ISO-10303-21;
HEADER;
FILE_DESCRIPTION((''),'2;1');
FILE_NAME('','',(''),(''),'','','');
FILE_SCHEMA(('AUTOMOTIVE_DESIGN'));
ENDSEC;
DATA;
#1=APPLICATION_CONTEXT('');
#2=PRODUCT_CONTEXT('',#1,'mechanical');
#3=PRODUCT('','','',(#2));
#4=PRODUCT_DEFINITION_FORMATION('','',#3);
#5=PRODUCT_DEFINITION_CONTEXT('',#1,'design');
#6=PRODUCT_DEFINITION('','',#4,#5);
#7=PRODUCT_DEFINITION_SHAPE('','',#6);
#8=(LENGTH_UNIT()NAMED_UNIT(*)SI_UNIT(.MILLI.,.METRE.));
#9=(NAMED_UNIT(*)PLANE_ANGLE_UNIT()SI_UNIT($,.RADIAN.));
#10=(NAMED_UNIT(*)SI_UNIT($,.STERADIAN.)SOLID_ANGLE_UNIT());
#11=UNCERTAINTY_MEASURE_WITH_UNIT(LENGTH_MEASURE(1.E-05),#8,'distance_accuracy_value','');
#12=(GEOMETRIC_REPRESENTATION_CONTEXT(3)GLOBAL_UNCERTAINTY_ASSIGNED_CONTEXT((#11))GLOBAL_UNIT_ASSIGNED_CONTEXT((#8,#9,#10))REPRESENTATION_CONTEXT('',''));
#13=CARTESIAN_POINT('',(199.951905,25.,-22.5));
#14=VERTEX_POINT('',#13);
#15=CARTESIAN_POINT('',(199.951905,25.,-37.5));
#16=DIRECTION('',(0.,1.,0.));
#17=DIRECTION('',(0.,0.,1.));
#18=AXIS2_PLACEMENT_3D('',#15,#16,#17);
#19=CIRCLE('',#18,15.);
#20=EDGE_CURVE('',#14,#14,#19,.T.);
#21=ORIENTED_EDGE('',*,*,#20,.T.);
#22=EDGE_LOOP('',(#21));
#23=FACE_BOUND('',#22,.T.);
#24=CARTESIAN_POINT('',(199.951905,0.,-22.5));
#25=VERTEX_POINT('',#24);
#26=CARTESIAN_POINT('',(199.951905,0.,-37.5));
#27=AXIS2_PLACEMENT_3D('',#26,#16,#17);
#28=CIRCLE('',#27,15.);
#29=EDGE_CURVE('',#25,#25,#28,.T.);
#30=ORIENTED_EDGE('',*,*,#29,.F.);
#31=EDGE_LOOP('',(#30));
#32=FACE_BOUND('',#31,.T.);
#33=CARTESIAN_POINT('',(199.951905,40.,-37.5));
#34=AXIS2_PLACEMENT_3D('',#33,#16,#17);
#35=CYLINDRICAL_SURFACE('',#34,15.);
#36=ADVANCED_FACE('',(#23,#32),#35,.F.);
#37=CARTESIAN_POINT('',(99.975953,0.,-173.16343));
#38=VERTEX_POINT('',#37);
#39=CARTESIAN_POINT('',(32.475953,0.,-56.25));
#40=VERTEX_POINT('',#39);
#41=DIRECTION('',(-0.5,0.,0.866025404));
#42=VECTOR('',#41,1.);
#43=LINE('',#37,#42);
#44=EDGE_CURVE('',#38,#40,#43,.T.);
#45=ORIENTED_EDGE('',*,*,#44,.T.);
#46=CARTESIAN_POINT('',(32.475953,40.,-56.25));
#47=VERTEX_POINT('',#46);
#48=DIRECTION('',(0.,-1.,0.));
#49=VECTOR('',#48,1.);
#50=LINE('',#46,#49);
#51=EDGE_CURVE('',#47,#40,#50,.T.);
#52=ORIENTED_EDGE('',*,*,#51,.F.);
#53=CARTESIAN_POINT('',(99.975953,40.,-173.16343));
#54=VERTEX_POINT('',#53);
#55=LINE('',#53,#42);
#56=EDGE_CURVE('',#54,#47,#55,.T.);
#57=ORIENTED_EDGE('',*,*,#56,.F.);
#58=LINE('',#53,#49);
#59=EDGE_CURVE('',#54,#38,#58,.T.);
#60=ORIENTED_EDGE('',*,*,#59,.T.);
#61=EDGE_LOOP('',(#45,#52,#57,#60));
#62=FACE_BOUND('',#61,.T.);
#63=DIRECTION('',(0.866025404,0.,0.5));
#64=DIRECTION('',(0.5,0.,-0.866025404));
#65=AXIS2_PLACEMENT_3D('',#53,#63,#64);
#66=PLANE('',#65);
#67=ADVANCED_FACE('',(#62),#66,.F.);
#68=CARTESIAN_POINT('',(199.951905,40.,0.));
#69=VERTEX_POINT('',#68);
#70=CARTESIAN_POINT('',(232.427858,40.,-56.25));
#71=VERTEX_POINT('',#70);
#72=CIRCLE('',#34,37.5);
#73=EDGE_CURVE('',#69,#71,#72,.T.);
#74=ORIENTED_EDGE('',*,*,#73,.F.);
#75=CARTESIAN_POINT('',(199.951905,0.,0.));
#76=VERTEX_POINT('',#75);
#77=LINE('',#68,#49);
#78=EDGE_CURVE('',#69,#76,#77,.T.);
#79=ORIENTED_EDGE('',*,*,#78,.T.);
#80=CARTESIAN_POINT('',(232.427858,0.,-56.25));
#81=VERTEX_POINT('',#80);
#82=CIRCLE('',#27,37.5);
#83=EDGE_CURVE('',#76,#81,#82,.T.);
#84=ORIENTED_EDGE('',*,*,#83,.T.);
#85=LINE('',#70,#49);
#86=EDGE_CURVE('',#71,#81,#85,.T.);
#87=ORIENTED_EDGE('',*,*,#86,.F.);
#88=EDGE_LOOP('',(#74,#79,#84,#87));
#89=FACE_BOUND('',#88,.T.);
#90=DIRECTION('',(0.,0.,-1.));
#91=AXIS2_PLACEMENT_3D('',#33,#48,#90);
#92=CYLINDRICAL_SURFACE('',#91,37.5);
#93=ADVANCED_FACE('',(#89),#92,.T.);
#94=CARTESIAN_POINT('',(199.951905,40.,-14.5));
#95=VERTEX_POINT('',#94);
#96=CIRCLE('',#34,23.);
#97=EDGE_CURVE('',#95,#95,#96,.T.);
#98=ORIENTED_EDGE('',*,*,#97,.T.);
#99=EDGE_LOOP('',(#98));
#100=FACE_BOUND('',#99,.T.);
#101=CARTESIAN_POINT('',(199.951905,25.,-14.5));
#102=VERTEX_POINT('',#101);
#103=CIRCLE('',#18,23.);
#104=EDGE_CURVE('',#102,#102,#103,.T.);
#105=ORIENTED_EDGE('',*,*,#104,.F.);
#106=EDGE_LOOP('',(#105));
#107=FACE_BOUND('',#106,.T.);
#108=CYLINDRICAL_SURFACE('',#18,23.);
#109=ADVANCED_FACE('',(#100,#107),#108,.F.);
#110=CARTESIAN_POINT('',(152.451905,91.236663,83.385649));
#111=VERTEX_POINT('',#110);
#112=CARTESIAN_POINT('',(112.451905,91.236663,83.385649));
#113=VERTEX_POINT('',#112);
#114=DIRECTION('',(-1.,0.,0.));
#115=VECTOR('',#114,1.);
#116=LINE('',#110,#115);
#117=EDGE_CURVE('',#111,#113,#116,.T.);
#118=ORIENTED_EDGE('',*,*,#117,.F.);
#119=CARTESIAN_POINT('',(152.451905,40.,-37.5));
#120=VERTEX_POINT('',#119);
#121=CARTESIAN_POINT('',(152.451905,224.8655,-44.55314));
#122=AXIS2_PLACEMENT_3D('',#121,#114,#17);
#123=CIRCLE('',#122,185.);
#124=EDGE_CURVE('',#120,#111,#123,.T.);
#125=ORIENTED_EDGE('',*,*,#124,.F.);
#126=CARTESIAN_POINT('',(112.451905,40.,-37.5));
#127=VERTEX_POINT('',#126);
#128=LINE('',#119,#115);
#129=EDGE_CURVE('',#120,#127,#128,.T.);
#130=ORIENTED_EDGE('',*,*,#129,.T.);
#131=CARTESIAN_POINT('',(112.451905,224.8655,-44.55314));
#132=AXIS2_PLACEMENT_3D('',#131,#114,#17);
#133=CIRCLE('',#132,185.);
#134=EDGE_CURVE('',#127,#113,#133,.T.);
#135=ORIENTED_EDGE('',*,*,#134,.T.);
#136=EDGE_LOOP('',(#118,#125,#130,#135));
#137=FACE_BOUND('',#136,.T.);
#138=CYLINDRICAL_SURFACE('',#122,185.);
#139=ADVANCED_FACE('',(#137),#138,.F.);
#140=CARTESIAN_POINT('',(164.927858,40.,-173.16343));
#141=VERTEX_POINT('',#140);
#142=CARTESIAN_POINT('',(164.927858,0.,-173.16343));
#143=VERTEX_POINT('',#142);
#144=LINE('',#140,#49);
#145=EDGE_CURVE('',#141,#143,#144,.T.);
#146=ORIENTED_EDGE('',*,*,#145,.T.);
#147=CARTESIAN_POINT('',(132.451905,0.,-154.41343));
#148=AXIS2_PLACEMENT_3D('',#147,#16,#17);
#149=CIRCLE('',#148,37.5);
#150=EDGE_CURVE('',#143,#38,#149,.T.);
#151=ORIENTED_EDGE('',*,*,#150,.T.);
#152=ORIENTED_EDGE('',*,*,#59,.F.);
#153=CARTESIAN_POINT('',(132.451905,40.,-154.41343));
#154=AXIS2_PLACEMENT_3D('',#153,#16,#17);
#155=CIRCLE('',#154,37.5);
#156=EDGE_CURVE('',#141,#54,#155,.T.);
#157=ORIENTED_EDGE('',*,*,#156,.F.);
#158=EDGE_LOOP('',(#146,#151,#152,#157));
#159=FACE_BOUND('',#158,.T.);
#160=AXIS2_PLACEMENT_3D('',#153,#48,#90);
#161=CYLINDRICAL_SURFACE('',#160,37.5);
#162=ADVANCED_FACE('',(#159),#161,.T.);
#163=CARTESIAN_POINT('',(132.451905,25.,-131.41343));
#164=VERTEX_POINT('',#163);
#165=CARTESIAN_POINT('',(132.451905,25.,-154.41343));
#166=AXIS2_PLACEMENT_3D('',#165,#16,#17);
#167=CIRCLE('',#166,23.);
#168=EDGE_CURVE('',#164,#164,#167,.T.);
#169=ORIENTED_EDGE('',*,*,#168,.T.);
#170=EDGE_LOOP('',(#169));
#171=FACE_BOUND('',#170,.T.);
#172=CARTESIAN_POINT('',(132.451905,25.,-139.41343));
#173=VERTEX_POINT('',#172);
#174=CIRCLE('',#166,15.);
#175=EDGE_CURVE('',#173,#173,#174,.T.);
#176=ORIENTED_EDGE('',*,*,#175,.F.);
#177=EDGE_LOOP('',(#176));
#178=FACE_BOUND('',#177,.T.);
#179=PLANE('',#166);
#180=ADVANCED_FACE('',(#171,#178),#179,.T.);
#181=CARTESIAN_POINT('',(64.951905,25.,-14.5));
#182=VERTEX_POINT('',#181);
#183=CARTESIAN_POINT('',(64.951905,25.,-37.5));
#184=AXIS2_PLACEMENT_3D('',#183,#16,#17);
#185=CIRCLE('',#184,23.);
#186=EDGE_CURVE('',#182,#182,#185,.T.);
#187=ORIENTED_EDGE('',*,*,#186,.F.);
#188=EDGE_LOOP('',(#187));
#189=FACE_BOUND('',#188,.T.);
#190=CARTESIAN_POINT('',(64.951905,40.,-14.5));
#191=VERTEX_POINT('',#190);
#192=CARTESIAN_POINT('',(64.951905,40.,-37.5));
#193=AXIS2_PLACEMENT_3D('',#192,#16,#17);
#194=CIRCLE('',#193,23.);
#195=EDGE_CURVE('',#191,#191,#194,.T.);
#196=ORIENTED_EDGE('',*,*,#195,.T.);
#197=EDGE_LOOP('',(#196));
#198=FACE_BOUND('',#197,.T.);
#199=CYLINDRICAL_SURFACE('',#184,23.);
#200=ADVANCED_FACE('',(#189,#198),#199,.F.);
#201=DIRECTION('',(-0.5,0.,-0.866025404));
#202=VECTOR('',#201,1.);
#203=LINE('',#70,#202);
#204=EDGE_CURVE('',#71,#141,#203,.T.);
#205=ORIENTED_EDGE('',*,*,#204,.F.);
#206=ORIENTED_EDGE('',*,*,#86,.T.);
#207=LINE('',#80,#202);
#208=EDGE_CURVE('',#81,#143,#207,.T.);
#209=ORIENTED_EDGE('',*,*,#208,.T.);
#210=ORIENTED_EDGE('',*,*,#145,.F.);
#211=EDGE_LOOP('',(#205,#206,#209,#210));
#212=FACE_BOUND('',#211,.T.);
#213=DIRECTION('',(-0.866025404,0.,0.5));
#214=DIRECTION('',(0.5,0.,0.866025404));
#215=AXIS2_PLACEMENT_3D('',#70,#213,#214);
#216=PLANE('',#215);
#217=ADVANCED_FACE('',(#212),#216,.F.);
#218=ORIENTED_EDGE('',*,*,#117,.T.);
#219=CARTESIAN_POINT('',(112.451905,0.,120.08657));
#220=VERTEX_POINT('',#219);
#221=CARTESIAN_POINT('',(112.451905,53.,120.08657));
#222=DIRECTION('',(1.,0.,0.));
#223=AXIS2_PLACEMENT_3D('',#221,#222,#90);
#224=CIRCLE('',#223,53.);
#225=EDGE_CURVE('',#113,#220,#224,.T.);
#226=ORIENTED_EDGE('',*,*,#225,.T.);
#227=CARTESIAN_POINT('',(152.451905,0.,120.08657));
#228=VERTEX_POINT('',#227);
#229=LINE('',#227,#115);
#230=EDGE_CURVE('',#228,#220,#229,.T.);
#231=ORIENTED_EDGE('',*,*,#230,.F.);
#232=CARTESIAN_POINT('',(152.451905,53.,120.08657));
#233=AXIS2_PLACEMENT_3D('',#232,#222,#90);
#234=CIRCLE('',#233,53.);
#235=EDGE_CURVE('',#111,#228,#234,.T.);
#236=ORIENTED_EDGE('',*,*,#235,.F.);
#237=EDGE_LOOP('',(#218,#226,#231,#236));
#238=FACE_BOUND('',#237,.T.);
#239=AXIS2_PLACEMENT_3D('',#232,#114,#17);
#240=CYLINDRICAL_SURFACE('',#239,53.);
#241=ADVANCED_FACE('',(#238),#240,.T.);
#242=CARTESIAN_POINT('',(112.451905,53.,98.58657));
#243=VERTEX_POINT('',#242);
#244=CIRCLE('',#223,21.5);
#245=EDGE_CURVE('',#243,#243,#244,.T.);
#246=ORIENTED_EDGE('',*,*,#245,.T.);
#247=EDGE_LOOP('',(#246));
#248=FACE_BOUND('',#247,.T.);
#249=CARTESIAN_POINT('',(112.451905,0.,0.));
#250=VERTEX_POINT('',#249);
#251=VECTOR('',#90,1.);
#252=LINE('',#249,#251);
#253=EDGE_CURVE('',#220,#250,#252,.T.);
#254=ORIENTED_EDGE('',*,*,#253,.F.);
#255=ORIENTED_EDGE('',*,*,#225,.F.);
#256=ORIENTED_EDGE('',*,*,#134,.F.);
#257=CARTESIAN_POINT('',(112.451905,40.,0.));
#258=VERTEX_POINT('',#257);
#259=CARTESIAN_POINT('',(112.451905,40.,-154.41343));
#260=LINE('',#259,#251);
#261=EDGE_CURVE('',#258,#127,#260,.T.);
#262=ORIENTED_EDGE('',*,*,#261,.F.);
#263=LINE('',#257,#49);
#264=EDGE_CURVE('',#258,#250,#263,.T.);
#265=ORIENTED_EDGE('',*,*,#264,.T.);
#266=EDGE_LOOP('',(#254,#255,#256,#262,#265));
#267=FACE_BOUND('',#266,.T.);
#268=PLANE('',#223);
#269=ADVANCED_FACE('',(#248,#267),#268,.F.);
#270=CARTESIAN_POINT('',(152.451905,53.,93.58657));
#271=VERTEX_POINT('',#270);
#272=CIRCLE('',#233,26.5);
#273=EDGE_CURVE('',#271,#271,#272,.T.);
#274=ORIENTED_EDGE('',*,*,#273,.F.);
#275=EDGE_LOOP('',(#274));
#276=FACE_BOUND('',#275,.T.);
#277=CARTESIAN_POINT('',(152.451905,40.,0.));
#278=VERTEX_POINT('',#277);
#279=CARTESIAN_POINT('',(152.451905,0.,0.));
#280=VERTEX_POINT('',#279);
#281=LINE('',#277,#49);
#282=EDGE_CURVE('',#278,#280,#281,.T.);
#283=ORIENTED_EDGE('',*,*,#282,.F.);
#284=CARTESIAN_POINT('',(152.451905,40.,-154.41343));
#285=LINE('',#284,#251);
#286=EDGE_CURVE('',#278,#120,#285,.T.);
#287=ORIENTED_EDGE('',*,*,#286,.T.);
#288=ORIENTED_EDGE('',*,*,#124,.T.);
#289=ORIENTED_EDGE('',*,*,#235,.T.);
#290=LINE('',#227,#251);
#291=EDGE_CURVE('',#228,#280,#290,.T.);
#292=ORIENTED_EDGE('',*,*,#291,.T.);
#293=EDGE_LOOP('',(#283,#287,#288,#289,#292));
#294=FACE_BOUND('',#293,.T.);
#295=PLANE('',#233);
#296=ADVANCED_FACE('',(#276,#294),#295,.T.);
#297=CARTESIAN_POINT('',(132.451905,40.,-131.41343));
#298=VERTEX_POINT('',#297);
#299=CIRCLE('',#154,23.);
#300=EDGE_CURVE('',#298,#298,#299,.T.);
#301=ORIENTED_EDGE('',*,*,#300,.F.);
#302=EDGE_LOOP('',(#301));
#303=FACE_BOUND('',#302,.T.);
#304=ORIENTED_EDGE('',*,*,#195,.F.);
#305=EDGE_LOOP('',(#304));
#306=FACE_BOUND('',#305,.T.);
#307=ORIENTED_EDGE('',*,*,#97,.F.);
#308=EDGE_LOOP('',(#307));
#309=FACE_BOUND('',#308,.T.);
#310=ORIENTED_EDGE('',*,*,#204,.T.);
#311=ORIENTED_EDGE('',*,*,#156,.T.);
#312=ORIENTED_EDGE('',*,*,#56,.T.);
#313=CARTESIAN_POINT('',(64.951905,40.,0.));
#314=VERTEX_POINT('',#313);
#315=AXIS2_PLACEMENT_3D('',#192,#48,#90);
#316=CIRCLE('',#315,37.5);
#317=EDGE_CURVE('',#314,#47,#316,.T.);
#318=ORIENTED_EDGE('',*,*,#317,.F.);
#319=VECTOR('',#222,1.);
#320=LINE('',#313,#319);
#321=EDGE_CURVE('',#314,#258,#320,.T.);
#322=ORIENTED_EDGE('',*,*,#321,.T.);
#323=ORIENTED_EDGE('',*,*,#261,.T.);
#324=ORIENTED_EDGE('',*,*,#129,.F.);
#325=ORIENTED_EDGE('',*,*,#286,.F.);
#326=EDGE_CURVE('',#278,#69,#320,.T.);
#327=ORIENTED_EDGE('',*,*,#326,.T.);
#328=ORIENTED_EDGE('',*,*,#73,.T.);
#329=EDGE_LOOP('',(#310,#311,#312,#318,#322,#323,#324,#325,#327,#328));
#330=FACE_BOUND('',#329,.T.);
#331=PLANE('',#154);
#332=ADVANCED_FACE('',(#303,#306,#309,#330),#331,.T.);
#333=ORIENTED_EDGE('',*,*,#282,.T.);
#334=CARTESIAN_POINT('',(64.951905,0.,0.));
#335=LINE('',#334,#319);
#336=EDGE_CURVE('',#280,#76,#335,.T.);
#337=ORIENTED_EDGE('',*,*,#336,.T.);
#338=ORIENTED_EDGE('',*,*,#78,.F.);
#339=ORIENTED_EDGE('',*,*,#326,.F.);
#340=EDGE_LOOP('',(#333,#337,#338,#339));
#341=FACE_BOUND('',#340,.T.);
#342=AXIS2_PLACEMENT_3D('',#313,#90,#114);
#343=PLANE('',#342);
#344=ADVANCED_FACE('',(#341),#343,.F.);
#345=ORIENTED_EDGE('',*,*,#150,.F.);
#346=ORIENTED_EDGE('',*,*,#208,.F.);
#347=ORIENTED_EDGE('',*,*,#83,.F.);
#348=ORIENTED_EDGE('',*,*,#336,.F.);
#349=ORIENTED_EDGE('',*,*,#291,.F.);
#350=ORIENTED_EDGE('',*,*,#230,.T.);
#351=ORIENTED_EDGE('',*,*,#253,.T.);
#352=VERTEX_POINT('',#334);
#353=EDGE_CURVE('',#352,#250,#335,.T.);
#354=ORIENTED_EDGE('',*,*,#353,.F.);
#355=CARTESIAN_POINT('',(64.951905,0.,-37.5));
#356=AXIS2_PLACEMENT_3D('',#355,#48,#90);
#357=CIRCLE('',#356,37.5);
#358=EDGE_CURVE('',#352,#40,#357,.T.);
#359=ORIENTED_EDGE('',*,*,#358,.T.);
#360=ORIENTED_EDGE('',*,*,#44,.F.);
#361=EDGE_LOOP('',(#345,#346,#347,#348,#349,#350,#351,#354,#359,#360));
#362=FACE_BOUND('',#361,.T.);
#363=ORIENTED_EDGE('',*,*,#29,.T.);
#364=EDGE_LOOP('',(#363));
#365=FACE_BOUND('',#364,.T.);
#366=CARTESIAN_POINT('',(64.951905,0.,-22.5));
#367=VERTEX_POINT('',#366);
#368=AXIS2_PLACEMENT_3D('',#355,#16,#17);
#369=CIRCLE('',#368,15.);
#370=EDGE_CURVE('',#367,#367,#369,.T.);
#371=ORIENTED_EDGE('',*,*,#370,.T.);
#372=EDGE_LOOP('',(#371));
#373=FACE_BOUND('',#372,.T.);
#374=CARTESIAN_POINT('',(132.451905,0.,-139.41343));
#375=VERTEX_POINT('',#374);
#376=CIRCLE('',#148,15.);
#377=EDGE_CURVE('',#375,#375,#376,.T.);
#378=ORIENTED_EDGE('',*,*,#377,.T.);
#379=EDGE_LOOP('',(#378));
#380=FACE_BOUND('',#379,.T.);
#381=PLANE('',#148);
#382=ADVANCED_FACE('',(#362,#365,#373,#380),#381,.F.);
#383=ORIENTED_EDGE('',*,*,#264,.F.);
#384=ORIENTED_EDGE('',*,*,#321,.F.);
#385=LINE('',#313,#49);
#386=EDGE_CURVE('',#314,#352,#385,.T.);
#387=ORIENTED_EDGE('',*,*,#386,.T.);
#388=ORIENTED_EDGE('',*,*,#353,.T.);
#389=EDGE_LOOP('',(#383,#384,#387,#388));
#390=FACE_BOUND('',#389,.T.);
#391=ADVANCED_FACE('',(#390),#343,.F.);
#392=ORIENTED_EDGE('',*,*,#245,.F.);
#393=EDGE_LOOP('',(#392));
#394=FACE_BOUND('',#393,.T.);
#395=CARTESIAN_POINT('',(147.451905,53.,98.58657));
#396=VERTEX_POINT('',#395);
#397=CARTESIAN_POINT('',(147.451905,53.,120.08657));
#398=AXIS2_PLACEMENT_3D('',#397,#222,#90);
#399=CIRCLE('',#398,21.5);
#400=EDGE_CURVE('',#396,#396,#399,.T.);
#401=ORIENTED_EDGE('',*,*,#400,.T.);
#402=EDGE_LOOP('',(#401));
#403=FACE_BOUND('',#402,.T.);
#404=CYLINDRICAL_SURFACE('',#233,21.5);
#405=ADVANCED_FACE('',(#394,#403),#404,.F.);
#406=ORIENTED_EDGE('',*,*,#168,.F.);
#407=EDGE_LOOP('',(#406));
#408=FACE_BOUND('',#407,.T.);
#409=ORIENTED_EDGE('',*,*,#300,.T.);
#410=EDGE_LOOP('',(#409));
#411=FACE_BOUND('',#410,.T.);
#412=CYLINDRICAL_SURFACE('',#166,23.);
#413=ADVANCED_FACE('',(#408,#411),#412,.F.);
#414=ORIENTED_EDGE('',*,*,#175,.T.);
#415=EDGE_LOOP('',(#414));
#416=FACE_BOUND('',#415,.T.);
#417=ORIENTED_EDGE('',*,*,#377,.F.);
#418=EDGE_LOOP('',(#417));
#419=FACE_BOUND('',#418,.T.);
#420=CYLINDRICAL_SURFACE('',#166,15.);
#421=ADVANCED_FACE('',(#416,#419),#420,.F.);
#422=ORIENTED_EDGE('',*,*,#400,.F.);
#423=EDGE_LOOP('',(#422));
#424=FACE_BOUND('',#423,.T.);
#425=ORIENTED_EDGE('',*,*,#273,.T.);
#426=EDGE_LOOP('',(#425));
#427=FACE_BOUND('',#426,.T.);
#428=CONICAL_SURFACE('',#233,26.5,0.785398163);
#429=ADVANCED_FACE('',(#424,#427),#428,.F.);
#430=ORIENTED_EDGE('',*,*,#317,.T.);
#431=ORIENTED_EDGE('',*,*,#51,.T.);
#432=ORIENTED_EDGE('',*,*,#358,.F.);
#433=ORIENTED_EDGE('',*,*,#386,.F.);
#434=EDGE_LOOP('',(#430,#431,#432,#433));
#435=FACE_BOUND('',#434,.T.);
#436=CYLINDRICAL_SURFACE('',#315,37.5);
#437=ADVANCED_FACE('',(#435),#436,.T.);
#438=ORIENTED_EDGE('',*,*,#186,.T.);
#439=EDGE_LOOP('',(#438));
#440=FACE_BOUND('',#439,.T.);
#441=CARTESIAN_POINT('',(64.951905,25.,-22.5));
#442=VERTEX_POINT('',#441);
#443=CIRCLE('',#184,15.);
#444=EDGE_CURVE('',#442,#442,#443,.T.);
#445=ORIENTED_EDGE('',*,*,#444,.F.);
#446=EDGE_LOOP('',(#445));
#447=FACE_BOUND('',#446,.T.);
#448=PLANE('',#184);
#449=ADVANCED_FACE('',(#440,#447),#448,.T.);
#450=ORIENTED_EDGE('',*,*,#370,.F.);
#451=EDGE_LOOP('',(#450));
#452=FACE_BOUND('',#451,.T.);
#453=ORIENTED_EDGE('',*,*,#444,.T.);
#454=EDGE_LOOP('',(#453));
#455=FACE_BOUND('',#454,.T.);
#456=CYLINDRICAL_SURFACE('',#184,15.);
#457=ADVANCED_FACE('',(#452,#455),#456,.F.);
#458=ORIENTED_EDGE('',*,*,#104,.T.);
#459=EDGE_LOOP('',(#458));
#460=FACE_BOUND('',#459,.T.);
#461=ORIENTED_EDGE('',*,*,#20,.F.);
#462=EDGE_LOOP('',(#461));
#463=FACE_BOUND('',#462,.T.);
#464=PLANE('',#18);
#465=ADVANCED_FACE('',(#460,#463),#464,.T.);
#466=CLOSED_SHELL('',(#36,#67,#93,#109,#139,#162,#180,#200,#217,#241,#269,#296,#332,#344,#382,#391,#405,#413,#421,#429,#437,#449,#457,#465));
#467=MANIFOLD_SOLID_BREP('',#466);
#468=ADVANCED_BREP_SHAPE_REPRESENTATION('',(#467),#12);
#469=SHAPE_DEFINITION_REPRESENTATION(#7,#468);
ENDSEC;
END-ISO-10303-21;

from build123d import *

# Parameters (mm, degrees)
BOSS_EXTRUDE1_DEPTH                             = 40
SKETCH4_R                                       = 23
CUT_EXTRUDE1_DEPTH                              = 15
BOSS_EXTRUDE3_DEPTH                             = 20
CSK_FOR_M2_OVAL_HEAD_MACHINE_SCREW1_D           = 43
CSK_FOR_M2_OVAL_HEAD_MACHINE_SCREW1_CSINK_D     = 53
CSK_FOR_M2_OVAL_HEAD_MACHINE_SCREW1_CSINK_ANGLE = 90
SKETCH18_W                                      = 15
SKETCH18_H                                      = 25
M2_CLEARANCE_HOLE1_AT_2_COUNT                   = 2
M2_CLEARANCE_HOLE1_AT_2_PITCH                   = 135
M2_CLEARANCE_HOLE1_AT_3_COUNT                   = 2
M2_CLEARANCE_HOLE1_AT_3_PITCH                   = 135


with BuildPart() as part:
    # Sketch1 → Boss-Extrude1 (new body)
    with BuildSketch(Plane(origin=(0, 0, 0), x_dir=(1, 0, 0), z_dir=(0, 1, 0))):
        with BuildLine():
            Line((64.951905284, 0), (199.951905284, 0))
            ThreePointArc((199.951905284, 0), (232.427857926, 18.75), (232.427857926, 56.25))
            Line((232.427857926, 56.25), (164.927857926, 173.163429511))
            ThreePointArc((164.927857926, 173.163429511), (132.451905284, 191.913429511), (99.975952642, 173.163429511))
            Line((99.975952642, 173.163429511), (32.475952642, 56.25))
            ThreePointArc((32.475952642, 56.25), (32.475952642, 18.75), (64.951905284, 0))
        make_face()
    extrude(amount=BOSS_EXTRUDE1_DEPTH)

    # Sketch4 → Cut-Extrude1 (cut)
    with BuildSketch(Plane(origin=(0, 40, 0), x_dir=(1, 0, 0), z_dir=(0, 1, 0))):
        with Locations(Location((64.951905284, 37.5, 0), (0, 0, 270))):
            Circle(SKETCH4_R)
        with Locations(Location((199.951905284, 37.5, 0), (0, 0, 270))):
            Circle(SKETCH4_R)
        with Locations(Location((132.451905284, 154.413429511, 0), (0, 0, 270))):
            Circle(SKETCH4_R)
    extrude(amount=-CUT_EXTRUDE1_DEPTH, mode=Mode.SUBTRACT)

    # Sketch16 → Boss-Extrude3 (add, symmetric)
    with BuildSketch(Plane(origin=(132.451905284, 0, 0), x_dir=(0, 0, -1), z_dir=(1, 0, 0))):
        with BuildLine():
            Line((-120.086570489, 0), (0, 0))
            Line((0, 0), (37.5, 0))
            Line((37.5, 0), (37.5, 40))
            ThreePointArc((37.5, 40), (-27.641071176, 54.533483722), (-83.385649061, 91.236662594))
            ThreePointArc((-83.385649061, 91.236662594), (-169.257411022, 72.779495475), (-120.086570489, 0))
        make_face()
    extrude(amount=BOSS_EXTRUDE3_DEPTH, both=True)

    # CSK for M2 Oval Head Machine Screw1 (through all)
    with Locations(Plane(origin=(152.451905284, 53, 120.086570489), x_dir=(0, 0, 1), z_dir=(1, 0, 0))):
        with Locations((0, 0)):
            CounterSinkHole(CSK_FOR_M2_OVAL_HEAD_MACHINE_SCREW1_D / 2, CSK_FOR_M2_OVAL_HEAD_MACHINE_SCREW1_CSINK_D / 2, counter_sink_angle=CSK_FOR_M2_OVAL_HEAD_MACHINE_SCREW1_CSINK_ANGLE)

    # Sketch18 → M2 Clearance Hole1 (revolve, cut)
    with BuildSketch(Plane(origin=(64.951905284, 25, -37.5), x_dir=(0, 0, 1), z_dir=(1, 0, 0))):
        with Locations((7.5, 12.5)):
            Rectangle(SKETCH18_W, SKETCH18_H)
    m2_clearance_hole1 = revolve(axis=Axis((64.951905284, 31.35, -37.5), (0, -1, 0)), mode=Mode.SUBTRACT)

    # M2 Clearance Hole1 at 2: M2 Clearance Hole1 ×2
    with Locations(*[(i * M2_CLEARANCE_HOLE1_AT_2_PITCH, 0, 0) for i in range(1, M2_CLEARANCE_HOLE1_AT_2_COUNT)]):
        add(m2_clearance_hole1, mode=Mode.SUBTRACT)

    # M2 Clearance Hole1 at 3: M2 Clearance Hole1 ×2
    with Locations(*[Vector(0.49999999999999206, 0, -0.8660254037844433) * (i * M2_CLEARANCE_HOLE1_AT_3_PITCH) for i in range(1, M2_CLEARANCE_HOLE1_AT_3_COUNT)]):
        add(m2_clearance_hole1, mode=Mode.SUBTRACT)


solid = part.part
